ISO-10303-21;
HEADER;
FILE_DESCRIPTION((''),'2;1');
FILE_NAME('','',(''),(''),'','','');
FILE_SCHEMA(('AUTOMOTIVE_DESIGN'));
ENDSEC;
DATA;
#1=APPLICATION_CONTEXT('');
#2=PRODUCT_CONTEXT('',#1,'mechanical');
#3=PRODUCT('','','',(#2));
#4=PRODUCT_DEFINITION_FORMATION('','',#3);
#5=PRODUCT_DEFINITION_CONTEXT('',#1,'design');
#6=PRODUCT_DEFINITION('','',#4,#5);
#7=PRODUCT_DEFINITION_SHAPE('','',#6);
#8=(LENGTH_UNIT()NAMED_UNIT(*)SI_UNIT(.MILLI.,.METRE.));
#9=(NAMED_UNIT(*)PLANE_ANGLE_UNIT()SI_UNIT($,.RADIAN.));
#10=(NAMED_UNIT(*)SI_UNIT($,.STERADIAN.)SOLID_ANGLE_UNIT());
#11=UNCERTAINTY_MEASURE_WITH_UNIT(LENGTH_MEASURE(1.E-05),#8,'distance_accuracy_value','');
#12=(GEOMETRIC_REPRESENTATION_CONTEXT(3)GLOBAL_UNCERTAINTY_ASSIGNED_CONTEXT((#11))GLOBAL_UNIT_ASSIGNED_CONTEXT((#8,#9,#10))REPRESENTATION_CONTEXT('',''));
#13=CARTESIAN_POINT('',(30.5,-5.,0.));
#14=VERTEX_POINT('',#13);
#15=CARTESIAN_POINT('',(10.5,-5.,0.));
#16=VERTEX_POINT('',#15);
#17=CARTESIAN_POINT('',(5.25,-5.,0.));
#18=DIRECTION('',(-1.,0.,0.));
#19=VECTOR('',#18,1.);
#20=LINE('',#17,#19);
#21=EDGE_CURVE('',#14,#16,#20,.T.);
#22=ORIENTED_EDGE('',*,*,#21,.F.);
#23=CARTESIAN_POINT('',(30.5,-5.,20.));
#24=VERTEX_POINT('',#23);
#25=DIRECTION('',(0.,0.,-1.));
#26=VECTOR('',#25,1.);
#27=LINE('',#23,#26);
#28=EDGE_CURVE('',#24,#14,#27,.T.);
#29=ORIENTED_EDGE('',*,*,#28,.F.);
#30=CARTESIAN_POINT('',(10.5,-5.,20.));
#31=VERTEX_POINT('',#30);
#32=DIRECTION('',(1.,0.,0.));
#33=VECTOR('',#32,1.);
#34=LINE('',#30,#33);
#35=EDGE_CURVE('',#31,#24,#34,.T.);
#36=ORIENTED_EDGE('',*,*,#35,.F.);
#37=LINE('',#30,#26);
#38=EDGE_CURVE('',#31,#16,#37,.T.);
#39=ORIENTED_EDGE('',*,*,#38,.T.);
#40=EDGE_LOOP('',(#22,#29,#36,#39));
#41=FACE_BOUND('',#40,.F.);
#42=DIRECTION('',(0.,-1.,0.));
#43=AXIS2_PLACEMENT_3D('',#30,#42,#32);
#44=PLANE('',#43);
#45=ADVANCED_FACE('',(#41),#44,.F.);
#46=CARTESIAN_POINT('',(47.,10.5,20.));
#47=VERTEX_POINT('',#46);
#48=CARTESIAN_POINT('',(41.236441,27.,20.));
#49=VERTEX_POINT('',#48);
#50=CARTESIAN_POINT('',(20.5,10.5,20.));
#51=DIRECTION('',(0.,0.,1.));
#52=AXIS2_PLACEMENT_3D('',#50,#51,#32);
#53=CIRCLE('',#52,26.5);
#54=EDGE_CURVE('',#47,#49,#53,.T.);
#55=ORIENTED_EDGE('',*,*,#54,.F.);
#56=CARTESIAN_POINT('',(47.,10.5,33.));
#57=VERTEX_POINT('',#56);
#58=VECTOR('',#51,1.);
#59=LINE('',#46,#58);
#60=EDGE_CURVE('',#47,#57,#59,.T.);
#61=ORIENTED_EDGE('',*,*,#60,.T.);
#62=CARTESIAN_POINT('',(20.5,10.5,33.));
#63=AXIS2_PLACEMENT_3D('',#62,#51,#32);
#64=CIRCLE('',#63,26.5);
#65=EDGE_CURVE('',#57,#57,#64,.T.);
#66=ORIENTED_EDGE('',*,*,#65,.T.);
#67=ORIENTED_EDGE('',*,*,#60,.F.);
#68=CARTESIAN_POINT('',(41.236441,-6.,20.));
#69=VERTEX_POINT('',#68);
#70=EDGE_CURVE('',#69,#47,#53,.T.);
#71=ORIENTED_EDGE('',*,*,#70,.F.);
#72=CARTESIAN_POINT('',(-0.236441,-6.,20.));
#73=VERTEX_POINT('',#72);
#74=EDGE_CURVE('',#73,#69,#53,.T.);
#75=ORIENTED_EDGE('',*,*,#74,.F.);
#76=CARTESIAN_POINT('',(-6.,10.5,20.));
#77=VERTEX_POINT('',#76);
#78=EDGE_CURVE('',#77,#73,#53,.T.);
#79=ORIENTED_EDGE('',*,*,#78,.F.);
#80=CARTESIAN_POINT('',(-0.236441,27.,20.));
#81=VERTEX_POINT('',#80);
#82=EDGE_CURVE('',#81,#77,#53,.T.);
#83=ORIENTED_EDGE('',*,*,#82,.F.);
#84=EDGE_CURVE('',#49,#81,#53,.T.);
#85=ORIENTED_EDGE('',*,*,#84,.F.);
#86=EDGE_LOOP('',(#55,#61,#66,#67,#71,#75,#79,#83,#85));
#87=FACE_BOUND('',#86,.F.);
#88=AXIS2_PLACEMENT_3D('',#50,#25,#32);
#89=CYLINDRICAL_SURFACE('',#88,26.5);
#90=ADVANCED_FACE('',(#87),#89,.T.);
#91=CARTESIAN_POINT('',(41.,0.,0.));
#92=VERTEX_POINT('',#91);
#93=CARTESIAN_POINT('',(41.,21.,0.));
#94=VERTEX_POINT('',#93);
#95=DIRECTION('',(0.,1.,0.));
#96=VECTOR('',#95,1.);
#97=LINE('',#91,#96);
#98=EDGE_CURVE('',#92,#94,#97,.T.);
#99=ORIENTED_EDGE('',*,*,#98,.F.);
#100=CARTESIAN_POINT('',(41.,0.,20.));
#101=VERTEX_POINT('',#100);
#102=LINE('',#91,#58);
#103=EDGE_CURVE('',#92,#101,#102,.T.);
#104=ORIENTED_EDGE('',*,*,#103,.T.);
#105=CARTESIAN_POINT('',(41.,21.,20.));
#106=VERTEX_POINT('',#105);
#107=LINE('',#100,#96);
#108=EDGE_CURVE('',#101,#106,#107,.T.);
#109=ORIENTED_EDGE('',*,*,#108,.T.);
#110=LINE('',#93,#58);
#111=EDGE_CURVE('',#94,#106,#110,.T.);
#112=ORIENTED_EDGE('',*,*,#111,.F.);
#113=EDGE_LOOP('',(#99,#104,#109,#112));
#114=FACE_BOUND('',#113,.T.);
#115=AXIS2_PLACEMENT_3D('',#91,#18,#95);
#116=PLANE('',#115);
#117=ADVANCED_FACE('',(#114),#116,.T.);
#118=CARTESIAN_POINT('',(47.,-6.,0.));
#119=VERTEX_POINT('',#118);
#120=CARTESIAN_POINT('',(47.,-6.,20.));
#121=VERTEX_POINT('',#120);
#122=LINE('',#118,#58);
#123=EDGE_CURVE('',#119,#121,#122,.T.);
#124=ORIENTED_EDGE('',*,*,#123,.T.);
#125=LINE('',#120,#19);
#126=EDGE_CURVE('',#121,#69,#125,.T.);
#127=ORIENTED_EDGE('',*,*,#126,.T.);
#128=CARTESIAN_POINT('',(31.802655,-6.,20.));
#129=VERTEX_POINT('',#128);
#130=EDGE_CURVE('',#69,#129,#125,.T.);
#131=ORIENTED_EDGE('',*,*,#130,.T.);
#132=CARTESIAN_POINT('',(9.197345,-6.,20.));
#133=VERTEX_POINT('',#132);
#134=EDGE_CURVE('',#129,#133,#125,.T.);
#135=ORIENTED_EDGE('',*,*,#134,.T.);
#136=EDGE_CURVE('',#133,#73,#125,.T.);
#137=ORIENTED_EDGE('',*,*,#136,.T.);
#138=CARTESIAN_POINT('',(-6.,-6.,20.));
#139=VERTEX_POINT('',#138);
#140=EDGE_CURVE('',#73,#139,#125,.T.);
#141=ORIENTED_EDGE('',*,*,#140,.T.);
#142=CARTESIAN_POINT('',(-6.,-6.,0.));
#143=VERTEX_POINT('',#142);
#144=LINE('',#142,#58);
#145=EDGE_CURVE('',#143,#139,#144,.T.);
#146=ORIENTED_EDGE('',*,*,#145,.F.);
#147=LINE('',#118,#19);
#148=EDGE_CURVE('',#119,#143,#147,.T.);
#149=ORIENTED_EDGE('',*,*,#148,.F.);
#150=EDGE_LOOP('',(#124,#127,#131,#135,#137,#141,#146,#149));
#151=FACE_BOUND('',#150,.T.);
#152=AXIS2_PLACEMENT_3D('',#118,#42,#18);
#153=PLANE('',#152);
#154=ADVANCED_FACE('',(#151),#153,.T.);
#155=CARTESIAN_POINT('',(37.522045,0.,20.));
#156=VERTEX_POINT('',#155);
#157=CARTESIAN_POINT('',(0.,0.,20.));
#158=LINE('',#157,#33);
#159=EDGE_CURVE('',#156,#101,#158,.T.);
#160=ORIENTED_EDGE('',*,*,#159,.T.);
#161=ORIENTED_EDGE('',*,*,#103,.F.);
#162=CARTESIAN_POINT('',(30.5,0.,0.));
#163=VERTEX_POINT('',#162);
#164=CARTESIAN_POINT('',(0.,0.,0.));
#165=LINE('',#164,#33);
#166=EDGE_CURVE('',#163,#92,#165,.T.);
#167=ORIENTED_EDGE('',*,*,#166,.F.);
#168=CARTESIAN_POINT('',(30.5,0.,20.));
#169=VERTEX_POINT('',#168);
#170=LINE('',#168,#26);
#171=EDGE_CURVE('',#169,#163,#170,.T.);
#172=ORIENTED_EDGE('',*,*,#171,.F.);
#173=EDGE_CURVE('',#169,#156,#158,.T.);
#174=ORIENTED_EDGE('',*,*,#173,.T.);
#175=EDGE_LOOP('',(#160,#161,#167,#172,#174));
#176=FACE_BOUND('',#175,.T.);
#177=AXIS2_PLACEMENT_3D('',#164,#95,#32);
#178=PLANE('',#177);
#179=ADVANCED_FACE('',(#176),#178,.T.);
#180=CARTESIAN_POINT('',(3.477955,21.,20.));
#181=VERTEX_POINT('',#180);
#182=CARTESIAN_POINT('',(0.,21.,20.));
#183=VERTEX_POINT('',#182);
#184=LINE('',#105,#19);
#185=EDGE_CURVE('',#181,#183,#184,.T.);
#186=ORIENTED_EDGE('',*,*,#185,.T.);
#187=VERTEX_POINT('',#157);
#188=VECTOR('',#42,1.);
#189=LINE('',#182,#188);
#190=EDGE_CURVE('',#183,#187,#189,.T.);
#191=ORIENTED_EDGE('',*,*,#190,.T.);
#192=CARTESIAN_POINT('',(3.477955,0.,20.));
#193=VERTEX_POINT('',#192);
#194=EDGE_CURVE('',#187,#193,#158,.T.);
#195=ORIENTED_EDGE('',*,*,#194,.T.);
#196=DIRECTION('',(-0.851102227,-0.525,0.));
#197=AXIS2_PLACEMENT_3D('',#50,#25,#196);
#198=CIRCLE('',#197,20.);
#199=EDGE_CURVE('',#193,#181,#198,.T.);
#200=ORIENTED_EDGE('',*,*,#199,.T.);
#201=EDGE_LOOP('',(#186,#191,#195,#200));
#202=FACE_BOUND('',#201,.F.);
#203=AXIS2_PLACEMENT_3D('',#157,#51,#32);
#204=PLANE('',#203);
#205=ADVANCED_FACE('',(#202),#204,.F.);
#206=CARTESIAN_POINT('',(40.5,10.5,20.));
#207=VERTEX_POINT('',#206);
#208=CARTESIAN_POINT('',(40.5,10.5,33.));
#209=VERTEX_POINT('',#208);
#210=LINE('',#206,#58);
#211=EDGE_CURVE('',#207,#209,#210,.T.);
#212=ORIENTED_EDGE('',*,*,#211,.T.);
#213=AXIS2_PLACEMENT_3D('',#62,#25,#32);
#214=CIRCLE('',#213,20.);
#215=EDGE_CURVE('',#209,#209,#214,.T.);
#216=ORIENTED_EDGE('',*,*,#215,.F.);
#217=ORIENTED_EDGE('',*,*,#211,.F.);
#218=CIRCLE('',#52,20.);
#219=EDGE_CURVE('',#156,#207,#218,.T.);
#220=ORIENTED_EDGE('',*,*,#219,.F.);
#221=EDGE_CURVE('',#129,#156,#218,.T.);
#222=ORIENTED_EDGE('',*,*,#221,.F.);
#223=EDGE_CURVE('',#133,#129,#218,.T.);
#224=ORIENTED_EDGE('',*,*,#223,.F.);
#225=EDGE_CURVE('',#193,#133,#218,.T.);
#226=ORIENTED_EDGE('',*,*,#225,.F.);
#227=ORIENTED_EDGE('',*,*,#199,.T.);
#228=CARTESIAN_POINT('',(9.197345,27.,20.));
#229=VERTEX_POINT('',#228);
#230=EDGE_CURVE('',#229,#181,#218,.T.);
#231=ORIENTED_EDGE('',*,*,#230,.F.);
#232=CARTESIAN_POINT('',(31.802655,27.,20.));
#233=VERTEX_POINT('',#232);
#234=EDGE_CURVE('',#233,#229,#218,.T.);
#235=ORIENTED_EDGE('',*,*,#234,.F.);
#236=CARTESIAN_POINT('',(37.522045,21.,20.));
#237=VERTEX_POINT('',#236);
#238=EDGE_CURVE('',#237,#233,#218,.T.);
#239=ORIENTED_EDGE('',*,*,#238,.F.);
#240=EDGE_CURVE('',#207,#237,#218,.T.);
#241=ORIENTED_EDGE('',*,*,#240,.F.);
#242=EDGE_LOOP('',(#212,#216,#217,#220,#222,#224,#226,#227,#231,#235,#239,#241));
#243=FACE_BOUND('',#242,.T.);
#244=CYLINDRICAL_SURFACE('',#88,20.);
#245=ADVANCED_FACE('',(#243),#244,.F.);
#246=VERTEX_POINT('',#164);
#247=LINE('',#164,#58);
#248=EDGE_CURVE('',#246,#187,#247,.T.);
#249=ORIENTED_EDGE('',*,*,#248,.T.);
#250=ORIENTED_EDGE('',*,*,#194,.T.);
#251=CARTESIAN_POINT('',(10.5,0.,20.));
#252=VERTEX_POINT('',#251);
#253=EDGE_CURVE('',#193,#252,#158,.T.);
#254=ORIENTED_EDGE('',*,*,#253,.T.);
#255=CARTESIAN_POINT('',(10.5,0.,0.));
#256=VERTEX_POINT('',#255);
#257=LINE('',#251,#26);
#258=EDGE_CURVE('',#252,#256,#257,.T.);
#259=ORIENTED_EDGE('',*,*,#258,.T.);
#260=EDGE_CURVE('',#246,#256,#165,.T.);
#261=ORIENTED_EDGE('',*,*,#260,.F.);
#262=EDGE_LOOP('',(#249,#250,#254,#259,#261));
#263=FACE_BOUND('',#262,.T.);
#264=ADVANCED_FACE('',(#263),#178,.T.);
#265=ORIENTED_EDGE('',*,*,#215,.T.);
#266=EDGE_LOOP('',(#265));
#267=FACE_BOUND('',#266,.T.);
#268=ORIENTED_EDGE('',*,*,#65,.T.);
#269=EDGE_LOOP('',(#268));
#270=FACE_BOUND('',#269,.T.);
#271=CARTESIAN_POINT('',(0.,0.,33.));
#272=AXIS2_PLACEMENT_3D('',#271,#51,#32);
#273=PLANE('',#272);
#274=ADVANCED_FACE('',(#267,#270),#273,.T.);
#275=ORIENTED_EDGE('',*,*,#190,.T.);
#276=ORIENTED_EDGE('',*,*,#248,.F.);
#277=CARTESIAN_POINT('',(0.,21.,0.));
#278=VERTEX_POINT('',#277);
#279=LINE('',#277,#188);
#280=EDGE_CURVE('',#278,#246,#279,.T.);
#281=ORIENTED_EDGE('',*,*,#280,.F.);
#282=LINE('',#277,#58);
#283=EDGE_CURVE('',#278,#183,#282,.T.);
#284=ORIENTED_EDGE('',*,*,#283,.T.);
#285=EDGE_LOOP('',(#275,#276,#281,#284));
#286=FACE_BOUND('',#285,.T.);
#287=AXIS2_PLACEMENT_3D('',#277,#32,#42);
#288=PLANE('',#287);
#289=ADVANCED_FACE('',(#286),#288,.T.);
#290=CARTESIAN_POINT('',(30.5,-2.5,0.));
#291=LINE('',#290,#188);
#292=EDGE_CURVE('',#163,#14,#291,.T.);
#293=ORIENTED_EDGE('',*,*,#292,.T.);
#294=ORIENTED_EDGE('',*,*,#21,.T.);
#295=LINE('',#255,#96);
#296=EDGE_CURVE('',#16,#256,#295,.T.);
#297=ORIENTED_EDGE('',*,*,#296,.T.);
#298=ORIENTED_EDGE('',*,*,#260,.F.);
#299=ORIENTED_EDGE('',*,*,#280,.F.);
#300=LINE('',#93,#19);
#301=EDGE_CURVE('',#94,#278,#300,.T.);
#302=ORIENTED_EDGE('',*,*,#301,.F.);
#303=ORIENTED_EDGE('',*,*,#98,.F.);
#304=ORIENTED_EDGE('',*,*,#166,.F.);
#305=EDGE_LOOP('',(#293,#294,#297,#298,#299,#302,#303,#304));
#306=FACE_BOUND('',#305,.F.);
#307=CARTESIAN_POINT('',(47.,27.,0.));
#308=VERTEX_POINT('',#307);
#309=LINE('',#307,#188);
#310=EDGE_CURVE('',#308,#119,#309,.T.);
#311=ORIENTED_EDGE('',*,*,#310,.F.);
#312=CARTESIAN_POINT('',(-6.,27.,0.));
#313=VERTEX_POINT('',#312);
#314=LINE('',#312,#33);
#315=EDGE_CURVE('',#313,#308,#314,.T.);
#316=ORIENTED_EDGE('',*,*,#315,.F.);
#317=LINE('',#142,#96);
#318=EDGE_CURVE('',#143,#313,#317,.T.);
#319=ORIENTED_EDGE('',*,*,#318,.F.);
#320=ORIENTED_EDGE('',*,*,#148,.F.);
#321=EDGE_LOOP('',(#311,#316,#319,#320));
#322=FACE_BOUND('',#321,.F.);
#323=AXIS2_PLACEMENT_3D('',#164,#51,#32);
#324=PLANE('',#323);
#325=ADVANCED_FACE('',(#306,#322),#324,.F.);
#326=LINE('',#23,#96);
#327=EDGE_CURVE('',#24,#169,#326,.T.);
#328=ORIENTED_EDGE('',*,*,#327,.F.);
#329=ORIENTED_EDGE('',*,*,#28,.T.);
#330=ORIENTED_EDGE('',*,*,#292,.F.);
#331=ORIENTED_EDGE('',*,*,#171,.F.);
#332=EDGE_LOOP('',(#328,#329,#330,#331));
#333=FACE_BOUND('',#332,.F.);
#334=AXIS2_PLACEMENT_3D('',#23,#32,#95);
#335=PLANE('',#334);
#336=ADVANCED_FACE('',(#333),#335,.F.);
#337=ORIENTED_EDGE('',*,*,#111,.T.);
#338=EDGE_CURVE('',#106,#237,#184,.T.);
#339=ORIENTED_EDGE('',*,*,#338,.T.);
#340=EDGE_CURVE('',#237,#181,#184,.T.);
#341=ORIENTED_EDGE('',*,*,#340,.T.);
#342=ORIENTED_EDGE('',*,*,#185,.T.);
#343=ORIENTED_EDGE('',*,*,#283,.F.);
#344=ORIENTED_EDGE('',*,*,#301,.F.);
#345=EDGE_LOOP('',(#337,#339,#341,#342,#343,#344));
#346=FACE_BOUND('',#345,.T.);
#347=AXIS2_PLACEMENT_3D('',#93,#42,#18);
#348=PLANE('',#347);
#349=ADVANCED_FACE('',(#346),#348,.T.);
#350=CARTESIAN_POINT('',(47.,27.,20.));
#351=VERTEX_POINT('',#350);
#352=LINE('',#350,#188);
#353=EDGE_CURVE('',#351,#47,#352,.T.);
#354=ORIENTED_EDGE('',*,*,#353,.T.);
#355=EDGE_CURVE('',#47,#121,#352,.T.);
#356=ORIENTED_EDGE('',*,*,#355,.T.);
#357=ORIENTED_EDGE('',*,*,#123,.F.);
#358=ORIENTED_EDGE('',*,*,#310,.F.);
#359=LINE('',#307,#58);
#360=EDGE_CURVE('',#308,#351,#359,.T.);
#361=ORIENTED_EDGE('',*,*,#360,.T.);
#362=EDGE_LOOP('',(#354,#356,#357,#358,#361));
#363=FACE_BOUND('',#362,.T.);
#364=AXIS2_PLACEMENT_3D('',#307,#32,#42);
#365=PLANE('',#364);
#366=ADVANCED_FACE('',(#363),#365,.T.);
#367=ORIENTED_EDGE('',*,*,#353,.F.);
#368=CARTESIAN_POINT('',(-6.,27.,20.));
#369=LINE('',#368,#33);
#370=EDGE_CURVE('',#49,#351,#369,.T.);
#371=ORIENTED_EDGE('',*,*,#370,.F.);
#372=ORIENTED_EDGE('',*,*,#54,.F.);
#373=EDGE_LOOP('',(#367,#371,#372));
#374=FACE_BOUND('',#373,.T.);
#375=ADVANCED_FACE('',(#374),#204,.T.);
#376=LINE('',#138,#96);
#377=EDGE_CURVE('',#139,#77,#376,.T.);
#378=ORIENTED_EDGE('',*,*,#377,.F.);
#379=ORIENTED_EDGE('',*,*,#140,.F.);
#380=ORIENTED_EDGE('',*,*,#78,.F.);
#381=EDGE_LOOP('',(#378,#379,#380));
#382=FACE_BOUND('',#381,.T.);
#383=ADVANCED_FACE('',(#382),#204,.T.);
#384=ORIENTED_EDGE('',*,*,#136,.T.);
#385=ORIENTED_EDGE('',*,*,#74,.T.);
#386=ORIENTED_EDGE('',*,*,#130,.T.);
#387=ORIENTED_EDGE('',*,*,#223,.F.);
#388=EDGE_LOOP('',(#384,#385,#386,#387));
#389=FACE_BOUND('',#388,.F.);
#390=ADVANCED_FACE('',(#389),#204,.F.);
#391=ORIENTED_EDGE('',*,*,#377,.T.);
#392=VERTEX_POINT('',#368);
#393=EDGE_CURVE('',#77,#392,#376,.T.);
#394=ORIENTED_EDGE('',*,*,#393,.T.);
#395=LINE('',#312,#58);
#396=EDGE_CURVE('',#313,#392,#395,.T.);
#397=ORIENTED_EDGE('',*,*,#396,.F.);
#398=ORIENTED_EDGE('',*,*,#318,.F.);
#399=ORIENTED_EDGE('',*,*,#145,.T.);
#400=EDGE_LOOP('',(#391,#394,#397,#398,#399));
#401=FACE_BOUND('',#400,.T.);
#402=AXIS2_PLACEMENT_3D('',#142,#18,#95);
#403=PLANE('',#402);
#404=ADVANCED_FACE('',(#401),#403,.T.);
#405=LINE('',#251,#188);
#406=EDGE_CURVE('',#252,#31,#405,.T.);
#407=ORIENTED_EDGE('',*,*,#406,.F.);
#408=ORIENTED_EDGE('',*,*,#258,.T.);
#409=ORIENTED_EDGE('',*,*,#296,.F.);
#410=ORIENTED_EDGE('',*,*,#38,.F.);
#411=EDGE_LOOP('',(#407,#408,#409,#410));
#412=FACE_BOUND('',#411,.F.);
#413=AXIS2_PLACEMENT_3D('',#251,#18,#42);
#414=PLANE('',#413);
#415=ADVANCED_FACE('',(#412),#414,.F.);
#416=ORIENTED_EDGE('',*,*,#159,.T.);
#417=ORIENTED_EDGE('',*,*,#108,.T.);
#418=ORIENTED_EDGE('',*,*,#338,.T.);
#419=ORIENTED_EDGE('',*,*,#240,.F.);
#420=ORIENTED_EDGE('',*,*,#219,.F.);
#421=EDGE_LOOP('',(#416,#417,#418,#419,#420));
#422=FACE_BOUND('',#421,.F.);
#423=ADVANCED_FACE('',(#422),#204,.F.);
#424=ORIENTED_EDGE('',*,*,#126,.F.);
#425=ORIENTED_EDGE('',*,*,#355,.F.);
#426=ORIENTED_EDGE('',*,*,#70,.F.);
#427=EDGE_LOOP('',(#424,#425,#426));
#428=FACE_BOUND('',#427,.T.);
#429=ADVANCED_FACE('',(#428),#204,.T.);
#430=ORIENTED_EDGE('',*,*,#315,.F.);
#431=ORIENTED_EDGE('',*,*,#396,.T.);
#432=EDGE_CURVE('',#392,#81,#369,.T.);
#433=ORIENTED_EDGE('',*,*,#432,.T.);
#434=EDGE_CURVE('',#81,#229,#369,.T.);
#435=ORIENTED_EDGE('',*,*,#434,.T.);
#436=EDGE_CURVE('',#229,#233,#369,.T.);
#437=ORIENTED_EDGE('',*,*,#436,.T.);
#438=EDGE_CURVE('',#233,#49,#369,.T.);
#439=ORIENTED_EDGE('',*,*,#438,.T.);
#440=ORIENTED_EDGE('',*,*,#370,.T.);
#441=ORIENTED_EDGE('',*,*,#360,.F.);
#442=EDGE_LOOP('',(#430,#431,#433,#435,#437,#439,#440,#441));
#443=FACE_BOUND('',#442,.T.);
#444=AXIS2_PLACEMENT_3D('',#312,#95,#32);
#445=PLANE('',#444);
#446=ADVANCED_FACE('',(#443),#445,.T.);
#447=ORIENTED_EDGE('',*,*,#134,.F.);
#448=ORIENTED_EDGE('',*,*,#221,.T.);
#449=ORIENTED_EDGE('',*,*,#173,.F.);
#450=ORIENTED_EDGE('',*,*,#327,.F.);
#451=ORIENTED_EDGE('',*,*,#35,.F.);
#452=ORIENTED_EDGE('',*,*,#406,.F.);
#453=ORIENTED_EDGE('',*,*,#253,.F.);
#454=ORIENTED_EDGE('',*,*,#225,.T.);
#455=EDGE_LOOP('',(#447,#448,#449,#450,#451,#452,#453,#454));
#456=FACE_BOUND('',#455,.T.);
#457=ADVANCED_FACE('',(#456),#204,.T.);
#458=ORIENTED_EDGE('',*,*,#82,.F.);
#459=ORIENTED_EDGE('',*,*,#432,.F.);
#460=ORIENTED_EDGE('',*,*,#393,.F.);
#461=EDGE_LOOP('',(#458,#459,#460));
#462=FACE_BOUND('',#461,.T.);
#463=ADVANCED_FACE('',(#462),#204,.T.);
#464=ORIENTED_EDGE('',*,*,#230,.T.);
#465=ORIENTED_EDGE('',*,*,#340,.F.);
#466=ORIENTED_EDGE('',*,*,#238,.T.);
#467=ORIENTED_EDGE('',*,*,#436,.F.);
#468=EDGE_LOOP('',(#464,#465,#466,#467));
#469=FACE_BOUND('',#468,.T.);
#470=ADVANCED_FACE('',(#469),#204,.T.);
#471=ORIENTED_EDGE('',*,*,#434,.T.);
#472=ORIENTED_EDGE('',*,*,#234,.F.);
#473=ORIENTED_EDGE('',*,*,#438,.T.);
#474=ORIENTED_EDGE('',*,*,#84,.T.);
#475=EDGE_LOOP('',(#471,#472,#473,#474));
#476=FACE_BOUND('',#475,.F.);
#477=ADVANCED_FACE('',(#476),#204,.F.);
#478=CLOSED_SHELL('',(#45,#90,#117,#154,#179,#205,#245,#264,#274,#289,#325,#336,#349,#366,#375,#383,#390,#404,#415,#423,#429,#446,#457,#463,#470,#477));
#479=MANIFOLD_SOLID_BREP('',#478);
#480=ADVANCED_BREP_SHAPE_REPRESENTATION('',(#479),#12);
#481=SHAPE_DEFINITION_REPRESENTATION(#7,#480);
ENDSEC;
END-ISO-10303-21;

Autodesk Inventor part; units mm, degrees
ref_plane "YZ Plane" through (0, 0, 0) normal (1, 0, 0) x (0, 1, 0)
ref_plane "XZ Plane" through (0, 0, 0) normal (0, 1, 0) x (-1, 0, 0)
ref_plane "XY Plane" through (0, 0, 0) normal (0, 0, 1) x (1, 0, 0)
sketch "Sketch8" plane through (0, 0, 0) normal (0, 0, 1) x (1, 0, 0)
  line L0 (0, 0) -> (41, 0)
  line L1 (41, 0) -> (41, 21)
  line L2 (41, 21) -> (0, 21)
  line L3 (0, 21) -> (0, 0)
  line L4 (-6, 27) -> (47, 27)
  line L5 (47, 27) -> (47, -6)
  line L6 (47, -6) -> (-6, -6)
  line L7 (-6, -6) -> (-6, 27)
  dimension "d35" = 41
  dimension "d36" = 21
  dimension "d37" = 6
extrude "Extrusion8" add sketch "Sketch8" along normal blind 20
sketch "Sketch9" plane through (0, 0, 20) normal (0, 0, 1) x (1, 0, 0)
  line L0 (41, 0) -> (0, 0) projected
  line L1 (20.5, 0) -> (10.5, 0)
  line L2 (10.5, 0) -> (10.5, -5)
  line L3 (10.5, -5) -> (30.5, -5)
  line L4 (30.5, -5) -> (30.5, 0)
  line L5 (30.5, 0) -> (20.5, 0)
  dimension "d45" = 10
  dimension "d46" = 5
  dimension "d47" = 20
  dimension "d48" = 5
extrude "Extrusion9" cut sketch "Sketch9" against normal up to next
sketch "Sketch10" plane through (0, 0, 20) normal (0, 0, 1) x (1, 0, 0)
  line L0 (0, 21) -> (0, 0) projected
  line L1 (0, 10.5) -> (41, 10.5)
  line L2 (41, 21) -> (41, 0) projected
  circle A0 centre (20.5, 10.5) radius 20
  circle A1 centre (20.5, 10.5) radius 26.5
  line L3 (47, 27) -> (47, -6) projected
  dimension "d51" = 40
extrude "Extrusion10" add sketch "Sketch10" along normal blind 13
equation "\"BendRadius\" = Thickness"
equation "\"BendReliefWidth\" = Thickness"
equation "\"BendReliefDepth\" = 0.5 * Thickness"
equation "\"CornerReliefSize\" = 4 * Thickness"
equation "\"MinimumRemnant\" = 2 * Thickness"
equation "\"TransitionRadius\" = BendRadius"
equation "\"JacobiRadiusSize\" = BendRadius"
equation "\"GapSize\" = Thickness"
equation "\"Thickness\" = 0.5"
properties part number "baseRotor1"
